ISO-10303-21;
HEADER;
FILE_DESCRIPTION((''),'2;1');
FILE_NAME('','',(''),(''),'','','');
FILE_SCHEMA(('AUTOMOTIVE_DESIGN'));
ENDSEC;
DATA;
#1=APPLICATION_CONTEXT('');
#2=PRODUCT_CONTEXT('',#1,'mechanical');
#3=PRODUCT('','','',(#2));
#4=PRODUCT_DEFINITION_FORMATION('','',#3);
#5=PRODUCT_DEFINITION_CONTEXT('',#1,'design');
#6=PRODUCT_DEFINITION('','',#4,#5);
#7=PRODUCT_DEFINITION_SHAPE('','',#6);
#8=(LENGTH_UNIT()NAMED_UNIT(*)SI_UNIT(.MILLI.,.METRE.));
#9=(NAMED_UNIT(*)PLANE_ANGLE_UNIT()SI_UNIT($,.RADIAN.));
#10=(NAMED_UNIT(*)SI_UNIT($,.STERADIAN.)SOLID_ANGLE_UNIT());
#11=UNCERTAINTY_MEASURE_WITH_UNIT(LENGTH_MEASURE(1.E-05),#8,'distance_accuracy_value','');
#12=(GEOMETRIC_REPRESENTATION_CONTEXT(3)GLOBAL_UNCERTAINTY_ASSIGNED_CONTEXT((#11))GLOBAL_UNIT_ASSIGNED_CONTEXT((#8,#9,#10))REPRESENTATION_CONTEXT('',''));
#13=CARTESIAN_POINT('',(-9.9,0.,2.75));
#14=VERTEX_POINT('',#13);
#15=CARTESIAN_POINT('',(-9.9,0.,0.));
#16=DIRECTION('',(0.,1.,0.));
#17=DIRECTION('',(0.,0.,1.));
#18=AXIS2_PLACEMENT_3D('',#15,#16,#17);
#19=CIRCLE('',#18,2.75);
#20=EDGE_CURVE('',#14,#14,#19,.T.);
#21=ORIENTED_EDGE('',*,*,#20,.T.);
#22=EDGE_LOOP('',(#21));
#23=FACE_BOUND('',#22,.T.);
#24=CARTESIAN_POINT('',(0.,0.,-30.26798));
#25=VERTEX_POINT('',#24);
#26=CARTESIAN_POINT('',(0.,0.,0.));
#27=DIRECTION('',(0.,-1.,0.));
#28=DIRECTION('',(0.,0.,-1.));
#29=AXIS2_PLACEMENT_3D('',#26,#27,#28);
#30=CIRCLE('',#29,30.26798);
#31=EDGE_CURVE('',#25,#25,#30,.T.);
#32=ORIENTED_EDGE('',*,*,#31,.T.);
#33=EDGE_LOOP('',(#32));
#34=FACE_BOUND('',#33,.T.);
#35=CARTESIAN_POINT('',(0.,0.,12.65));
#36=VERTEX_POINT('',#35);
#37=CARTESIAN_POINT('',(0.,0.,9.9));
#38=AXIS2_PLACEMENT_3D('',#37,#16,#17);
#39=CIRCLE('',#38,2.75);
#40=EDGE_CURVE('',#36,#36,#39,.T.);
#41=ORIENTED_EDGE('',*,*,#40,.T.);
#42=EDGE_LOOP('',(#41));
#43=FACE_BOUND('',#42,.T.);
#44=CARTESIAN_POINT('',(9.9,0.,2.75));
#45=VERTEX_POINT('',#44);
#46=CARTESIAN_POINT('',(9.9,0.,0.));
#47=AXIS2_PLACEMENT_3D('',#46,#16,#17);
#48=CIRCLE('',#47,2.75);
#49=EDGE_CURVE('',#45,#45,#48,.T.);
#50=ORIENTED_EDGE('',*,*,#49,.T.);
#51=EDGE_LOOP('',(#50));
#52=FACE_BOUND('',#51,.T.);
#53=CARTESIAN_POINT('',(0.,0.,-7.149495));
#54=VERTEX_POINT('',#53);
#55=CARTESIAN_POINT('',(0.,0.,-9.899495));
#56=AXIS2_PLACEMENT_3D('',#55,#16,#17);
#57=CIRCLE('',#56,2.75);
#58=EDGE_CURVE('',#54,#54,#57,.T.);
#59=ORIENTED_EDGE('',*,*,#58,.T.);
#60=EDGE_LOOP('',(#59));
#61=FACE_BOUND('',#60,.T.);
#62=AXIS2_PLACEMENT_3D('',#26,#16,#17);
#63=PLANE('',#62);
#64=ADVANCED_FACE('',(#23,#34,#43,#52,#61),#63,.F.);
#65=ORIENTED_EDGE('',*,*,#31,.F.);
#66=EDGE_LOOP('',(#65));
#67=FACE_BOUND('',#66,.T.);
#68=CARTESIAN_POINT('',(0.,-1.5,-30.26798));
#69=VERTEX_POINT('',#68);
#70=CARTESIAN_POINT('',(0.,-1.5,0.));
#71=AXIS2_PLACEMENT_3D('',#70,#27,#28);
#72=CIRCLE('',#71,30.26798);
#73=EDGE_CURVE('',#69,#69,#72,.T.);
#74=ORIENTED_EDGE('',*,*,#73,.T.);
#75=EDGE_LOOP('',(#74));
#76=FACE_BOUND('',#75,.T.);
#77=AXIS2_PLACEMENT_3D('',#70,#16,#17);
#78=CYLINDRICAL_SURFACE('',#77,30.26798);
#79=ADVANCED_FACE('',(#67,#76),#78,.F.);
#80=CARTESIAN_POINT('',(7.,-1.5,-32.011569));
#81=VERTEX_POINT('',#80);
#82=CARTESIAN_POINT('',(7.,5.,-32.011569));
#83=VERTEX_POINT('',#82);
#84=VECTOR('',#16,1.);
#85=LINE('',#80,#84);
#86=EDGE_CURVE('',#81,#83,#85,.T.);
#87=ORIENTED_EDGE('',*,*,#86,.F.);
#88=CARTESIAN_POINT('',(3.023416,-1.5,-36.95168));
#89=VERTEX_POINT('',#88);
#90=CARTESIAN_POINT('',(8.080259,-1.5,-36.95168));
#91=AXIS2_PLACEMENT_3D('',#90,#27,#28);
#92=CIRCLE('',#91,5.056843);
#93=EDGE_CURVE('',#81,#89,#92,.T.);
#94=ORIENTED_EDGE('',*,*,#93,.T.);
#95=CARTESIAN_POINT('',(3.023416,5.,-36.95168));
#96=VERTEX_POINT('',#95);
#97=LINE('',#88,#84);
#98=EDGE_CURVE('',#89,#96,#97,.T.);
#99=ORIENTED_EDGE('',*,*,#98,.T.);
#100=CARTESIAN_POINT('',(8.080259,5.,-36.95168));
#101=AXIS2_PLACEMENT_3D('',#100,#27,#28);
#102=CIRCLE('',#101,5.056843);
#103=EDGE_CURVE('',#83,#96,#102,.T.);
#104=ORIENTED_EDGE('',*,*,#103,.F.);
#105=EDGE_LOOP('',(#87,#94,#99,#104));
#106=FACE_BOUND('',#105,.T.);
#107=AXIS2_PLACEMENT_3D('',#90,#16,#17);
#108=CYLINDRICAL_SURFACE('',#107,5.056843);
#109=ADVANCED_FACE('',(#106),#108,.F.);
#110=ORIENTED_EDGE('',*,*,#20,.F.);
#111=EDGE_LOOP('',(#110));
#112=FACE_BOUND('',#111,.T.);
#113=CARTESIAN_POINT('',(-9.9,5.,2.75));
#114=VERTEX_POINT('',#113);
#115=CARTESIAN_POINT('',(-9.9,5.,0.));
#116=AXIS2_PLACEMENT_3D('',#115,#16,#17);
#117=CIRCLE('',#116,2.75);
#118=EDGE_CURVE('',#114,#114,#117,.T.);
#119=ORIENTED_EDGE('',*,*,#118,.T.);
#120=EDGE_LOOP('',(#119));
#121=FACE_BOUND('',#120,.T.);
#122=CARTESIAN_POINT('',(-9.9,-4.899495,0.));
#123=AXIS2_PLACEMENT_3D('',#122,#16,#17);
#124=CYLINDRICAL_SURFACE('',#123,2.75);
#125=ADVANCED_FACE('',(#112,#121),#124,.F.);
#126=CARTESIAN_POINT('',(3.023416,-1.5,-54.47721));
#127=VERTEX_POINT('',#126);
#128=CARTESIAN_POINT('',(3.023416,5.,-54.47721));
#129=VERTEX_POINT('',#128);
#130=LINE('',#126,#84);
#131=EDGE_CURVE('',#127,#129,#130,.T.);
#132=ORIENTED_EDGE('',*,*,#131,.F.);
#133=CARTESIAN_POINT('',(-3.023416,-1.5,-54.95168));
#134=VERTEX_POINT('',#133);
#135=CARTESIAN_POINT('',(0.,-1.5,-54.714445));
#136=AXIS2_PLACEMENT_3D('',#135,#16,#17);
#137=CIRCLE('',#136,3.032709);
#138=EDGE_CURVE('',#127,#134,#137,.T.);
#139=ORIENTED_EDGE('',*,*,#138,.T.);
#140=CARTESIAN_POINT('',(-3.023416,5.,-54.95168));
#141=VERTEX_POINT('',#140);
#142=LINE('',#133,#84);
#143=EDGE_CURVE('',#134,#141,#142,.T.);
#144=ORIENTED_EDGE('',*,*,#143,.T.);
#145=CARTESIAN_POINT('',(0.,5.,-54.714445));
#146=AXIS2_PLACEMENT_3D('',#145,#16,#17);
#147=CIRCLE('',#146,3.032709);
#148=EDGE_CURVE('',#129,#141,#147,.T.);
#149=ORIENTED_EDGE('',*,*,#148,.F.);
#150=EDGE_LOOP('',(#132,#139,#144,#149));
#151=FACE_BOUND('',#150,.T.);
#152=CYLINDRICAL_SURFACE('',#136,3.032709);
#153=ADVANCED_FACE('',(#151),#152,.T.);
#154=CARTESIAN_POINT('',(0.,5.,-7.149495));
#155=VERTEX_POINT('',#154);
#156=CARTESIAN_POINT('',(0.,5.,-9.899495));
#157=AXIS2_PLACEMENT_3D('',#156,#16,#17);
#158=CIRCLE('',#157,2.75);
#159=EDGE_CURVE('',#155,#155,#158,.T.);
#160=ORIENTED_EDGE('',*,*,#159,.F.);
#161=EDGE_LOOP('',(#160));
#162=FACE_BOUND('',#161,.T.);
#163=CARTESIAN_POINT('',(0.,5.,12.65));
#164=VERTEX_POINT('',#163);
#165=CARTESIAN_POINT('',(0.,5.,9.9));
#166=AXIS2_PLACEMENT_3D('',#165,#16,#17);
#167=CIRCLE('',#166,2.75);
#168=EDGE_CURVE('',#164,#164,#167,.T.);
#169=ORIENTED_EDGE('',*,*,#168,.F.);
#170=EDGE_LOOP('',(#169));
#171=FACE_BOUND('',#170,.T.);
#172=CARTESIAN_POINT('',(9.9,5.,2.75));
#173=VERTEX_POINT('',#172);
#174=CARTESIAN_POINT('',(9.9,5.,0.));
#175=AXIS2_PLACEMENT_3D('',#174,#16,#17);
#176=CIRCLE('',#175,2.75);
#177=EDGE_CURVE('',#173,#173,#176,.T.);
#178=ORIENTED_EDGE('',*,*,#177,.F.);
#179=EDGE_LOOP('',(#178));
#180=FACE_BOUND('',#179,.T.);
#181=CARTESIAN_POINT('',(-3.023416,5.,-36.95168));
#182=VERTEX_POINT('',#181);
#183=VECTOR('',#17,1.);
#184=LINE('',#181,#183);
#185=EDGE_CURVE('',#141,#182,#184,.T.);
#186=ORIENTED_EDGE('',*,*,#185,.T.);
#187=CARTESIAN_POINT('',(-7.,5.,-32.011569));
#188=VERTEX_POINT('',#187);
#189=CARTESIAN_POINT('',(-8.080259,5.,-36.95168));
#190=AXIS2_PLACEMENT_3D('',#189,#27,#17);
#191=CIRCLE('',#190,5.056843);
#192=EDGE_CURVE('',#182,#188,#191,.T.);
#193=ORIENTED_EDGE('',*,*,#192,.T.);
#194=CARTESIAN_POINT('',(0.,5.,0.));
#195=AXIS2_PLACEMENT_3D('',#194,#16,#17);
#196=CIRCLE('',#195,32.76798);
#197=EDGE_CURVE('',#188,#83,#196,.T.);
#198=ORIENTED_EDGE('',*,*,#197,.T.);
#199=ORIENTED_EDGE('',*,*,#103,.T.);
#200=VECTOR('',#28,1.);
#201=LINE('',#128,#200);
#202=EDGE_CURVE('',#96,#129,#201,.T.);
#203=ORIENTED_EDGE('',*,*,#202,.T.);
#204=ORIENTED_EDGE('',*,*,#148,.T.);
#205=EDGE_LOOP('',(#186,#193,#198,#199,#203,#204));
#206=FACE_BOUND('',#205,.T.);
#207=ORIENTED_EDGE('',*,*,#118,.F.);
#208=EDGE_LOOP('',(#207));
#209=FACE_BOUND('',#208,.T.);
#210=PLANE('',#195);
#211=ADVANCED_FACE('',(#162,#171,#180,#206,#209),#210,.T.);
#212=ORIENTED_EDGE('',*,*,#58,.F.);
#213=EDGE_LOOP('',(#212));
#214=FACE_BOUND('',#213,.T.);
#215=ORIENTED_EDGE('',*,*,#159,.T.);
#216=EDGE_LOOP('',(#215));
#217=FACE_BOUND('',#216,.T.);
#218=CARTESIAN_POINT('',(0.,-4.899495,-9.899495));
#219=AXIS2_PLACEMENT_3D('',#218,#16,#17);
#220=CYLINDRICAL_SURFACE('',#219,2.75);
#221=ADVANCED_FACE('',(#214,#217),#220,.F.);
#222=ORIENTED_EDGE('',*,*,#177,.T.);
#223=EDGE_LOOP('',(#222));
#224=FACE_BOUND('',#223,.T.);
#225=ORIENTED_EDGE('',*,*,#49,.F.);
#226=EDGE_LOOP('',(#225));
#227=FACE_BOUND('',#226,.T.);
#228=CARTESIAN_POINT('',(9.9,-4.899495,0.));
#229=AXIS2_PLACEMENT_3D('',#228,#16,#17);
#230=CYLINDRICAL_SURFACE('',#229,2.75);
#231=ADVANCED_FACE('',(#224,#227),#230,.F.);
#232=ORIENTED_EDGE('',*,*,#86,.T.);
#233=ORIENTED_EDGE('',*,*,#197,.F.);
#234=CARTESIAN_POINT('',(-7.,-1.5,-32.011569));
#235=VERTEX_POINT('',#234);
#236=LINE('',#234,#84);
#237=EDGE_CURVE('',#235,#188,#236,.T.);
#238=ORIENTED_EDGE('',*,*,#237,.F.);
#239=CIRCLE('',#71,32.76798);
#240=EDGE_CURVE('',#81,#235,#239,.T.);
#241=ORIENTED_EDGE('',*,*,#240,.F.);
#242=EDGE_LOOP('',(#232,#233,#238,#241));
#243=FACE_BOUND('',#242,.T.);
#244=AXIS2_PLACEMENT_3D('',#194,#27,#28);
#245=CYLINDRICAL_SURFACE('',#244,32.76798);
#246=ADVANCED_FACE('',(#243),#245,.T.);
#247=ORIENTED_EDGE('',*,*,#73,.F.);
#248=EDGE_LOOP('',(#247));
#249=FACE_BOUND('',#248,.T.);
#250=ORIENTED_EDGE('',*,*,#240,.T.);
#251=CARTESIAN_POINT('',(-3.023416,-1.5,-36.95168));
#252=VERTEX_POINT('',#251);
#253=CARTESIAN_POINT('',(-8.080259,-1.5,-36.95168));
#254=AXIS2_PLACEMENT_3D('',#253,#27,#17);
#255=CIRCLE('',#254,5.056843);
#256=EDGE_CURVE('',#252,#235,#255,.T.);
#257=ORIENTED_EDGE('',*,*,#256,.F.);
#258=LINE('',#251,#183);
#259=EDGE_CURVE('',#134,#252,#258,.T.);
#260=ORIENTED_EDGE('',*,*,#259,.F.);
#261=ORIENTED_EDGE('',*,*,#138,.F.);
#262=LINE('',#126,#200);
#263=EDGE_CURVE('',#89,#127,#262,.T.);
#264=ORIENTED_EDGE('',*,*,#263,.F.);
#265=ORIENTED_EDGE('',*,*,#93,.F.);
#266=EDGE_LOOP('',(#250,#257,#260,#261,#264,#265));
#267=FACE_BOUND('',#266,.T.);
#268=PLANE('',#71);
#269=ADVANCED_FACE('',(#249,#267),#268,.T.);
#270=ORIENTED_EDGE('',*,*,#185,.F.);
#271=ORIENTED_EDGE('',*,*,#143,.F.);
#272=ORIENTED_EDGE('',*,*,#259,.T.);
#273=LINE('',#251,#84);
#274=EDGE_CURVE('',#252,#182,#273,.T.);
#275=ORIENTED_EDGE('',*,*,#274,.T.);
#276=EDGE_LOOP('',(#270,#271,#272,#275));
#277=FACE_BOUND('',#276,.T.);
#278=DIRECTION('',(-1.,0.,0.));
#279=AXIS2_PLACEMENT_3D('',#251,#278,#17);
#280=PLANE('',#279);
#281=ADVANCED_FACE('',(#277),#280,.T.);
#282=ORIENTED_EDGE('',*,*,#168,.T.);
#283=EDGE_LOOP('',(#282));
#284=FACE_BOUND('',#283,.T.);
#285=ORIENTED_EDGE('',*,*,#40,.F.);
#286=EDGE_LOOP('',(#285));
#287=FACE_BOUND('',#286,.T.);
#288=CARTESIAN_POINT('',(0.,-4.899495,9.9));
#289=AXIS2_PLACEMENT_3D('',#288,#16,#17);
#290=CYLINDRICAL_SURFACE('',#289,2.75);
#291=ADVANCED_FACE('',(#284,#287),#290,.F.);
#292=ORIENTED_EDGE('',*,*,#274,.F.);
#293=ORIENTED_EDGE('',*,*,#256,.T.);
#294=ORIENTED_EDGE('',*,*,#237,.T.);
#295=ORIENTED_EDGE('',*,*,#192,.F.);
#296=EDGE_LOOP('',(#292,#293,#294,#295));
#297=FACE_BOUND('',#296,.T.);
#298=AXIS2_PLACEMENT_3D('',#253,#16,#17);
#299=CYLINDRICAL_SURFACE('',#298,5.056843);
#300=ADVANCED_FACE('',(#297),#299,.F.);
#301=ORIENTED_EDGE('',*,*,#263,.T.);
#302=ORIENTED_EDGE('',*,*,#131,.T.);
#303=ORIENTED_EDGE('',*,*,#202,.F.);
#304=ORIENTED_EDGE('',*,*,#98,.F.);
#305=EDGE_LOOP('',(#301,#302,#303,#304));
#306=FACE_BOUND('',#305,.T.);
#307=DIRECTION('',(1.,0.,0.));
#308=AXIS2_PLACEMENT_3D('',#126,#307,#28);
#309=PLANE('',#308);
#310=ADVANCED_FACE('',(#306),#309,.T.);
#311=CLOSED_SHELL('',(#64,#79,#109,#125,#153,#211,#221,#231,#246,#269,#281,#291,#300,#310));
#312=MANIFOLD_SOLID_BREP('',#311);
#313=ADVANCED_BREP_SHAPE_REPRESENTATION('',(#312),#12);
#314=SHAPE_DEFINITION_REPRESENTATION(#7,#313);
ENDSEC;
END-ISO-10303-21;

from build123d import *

# Parameters (mm, degrees)
SKETCH2_R           = 32.76798012
BOSS_EXTRUDE1_DEPTH = 5
SKETCH3_R           = 32.76798012
SKETCH3_R_2         = 30.26798012
BOSS_EXTRUDE2_DEPTH = 1.5
SKETCH4_R           = 2.75
CUT_EXTRUDE1_DEPTH  = 9.8994949
BOSS_EXTRUDE3_DEPTH = 6.5


with BuildPart() as part:
    # Sketch2 → Boss-Extrude1 (new body)
    with BuildSketch(Plane(origin=(0, 0, 0), x_dir=(1, 0, 0), z_dir=(0, 1, 0))):
        Circle(SKETCH2_R)
    extrude(amount=BOSS_EXTRUDE1_DEPTH)

    # Sketch3 → Boss-Extrude2 (add)
    with BuildSketch(Plane.XZ):
        Circle(SKETCH3_R)
        Circle(SKETCH3_R_2, mode=Mode.SUBTRACT)
    extrude(amount=BOSS_EXTRUDE2_DEPTH)

    # Sketch4 → Cut-Extrude1 (cut)
    with BuildSketch(Plane(origin=(0, 5, 0), x_dir=(1, 0, 0), z_dir=(0, 1, 0))):
        with Locations((0, 9.8994949)):
            Circle(SKETCH4_R)
        with Locations((-9.9, 0)):
            Circle(SKETCH4_R)
        with Locations((9.9, 0)):
            Circle(SKETCH4_R)
        with Locations((0, -9.9)):
            Circle(SKETCH4_R)
    extrude(amount=-CUT_EXTRUDE1_DEPTH, mode=Mode.SUBTRACT)

    # Sketch5 → Boss-Extrude3 (add)
    with BuildSketch(Plane(origin=(0, 5, 0), x_dir=(1, 0, 0), z_dir=(0, 1, 0))):
        with BuildLine():
            Line((-3.023415672, 36.951680319), (-3.023415672, 54.951680319))
            ThreePointArc((-3.023415672, 54.951680319), (0.237235199, 57.737860793), (3.023415672, 54.477209922))
            Line((3.023415672, 54.477209922), (3.023415672, 36.951680319))
            ThreePointArc((3.023415672, 36.951680319), (4.141073493, 33.780800032), (7, 32.011568552))
            ThreePointArc((7, 32.011568552), (0, 32.76798012), (-7, 32.011568552))
            ThreePointArc((-7, 32.011568552), (-4.141073493, 33.780800032), (-3.023415672, 36.951680319))
        make_face()
    extrude(amount=-BOSS_EXTRUDE3_DEPTH)


solid = part.part
